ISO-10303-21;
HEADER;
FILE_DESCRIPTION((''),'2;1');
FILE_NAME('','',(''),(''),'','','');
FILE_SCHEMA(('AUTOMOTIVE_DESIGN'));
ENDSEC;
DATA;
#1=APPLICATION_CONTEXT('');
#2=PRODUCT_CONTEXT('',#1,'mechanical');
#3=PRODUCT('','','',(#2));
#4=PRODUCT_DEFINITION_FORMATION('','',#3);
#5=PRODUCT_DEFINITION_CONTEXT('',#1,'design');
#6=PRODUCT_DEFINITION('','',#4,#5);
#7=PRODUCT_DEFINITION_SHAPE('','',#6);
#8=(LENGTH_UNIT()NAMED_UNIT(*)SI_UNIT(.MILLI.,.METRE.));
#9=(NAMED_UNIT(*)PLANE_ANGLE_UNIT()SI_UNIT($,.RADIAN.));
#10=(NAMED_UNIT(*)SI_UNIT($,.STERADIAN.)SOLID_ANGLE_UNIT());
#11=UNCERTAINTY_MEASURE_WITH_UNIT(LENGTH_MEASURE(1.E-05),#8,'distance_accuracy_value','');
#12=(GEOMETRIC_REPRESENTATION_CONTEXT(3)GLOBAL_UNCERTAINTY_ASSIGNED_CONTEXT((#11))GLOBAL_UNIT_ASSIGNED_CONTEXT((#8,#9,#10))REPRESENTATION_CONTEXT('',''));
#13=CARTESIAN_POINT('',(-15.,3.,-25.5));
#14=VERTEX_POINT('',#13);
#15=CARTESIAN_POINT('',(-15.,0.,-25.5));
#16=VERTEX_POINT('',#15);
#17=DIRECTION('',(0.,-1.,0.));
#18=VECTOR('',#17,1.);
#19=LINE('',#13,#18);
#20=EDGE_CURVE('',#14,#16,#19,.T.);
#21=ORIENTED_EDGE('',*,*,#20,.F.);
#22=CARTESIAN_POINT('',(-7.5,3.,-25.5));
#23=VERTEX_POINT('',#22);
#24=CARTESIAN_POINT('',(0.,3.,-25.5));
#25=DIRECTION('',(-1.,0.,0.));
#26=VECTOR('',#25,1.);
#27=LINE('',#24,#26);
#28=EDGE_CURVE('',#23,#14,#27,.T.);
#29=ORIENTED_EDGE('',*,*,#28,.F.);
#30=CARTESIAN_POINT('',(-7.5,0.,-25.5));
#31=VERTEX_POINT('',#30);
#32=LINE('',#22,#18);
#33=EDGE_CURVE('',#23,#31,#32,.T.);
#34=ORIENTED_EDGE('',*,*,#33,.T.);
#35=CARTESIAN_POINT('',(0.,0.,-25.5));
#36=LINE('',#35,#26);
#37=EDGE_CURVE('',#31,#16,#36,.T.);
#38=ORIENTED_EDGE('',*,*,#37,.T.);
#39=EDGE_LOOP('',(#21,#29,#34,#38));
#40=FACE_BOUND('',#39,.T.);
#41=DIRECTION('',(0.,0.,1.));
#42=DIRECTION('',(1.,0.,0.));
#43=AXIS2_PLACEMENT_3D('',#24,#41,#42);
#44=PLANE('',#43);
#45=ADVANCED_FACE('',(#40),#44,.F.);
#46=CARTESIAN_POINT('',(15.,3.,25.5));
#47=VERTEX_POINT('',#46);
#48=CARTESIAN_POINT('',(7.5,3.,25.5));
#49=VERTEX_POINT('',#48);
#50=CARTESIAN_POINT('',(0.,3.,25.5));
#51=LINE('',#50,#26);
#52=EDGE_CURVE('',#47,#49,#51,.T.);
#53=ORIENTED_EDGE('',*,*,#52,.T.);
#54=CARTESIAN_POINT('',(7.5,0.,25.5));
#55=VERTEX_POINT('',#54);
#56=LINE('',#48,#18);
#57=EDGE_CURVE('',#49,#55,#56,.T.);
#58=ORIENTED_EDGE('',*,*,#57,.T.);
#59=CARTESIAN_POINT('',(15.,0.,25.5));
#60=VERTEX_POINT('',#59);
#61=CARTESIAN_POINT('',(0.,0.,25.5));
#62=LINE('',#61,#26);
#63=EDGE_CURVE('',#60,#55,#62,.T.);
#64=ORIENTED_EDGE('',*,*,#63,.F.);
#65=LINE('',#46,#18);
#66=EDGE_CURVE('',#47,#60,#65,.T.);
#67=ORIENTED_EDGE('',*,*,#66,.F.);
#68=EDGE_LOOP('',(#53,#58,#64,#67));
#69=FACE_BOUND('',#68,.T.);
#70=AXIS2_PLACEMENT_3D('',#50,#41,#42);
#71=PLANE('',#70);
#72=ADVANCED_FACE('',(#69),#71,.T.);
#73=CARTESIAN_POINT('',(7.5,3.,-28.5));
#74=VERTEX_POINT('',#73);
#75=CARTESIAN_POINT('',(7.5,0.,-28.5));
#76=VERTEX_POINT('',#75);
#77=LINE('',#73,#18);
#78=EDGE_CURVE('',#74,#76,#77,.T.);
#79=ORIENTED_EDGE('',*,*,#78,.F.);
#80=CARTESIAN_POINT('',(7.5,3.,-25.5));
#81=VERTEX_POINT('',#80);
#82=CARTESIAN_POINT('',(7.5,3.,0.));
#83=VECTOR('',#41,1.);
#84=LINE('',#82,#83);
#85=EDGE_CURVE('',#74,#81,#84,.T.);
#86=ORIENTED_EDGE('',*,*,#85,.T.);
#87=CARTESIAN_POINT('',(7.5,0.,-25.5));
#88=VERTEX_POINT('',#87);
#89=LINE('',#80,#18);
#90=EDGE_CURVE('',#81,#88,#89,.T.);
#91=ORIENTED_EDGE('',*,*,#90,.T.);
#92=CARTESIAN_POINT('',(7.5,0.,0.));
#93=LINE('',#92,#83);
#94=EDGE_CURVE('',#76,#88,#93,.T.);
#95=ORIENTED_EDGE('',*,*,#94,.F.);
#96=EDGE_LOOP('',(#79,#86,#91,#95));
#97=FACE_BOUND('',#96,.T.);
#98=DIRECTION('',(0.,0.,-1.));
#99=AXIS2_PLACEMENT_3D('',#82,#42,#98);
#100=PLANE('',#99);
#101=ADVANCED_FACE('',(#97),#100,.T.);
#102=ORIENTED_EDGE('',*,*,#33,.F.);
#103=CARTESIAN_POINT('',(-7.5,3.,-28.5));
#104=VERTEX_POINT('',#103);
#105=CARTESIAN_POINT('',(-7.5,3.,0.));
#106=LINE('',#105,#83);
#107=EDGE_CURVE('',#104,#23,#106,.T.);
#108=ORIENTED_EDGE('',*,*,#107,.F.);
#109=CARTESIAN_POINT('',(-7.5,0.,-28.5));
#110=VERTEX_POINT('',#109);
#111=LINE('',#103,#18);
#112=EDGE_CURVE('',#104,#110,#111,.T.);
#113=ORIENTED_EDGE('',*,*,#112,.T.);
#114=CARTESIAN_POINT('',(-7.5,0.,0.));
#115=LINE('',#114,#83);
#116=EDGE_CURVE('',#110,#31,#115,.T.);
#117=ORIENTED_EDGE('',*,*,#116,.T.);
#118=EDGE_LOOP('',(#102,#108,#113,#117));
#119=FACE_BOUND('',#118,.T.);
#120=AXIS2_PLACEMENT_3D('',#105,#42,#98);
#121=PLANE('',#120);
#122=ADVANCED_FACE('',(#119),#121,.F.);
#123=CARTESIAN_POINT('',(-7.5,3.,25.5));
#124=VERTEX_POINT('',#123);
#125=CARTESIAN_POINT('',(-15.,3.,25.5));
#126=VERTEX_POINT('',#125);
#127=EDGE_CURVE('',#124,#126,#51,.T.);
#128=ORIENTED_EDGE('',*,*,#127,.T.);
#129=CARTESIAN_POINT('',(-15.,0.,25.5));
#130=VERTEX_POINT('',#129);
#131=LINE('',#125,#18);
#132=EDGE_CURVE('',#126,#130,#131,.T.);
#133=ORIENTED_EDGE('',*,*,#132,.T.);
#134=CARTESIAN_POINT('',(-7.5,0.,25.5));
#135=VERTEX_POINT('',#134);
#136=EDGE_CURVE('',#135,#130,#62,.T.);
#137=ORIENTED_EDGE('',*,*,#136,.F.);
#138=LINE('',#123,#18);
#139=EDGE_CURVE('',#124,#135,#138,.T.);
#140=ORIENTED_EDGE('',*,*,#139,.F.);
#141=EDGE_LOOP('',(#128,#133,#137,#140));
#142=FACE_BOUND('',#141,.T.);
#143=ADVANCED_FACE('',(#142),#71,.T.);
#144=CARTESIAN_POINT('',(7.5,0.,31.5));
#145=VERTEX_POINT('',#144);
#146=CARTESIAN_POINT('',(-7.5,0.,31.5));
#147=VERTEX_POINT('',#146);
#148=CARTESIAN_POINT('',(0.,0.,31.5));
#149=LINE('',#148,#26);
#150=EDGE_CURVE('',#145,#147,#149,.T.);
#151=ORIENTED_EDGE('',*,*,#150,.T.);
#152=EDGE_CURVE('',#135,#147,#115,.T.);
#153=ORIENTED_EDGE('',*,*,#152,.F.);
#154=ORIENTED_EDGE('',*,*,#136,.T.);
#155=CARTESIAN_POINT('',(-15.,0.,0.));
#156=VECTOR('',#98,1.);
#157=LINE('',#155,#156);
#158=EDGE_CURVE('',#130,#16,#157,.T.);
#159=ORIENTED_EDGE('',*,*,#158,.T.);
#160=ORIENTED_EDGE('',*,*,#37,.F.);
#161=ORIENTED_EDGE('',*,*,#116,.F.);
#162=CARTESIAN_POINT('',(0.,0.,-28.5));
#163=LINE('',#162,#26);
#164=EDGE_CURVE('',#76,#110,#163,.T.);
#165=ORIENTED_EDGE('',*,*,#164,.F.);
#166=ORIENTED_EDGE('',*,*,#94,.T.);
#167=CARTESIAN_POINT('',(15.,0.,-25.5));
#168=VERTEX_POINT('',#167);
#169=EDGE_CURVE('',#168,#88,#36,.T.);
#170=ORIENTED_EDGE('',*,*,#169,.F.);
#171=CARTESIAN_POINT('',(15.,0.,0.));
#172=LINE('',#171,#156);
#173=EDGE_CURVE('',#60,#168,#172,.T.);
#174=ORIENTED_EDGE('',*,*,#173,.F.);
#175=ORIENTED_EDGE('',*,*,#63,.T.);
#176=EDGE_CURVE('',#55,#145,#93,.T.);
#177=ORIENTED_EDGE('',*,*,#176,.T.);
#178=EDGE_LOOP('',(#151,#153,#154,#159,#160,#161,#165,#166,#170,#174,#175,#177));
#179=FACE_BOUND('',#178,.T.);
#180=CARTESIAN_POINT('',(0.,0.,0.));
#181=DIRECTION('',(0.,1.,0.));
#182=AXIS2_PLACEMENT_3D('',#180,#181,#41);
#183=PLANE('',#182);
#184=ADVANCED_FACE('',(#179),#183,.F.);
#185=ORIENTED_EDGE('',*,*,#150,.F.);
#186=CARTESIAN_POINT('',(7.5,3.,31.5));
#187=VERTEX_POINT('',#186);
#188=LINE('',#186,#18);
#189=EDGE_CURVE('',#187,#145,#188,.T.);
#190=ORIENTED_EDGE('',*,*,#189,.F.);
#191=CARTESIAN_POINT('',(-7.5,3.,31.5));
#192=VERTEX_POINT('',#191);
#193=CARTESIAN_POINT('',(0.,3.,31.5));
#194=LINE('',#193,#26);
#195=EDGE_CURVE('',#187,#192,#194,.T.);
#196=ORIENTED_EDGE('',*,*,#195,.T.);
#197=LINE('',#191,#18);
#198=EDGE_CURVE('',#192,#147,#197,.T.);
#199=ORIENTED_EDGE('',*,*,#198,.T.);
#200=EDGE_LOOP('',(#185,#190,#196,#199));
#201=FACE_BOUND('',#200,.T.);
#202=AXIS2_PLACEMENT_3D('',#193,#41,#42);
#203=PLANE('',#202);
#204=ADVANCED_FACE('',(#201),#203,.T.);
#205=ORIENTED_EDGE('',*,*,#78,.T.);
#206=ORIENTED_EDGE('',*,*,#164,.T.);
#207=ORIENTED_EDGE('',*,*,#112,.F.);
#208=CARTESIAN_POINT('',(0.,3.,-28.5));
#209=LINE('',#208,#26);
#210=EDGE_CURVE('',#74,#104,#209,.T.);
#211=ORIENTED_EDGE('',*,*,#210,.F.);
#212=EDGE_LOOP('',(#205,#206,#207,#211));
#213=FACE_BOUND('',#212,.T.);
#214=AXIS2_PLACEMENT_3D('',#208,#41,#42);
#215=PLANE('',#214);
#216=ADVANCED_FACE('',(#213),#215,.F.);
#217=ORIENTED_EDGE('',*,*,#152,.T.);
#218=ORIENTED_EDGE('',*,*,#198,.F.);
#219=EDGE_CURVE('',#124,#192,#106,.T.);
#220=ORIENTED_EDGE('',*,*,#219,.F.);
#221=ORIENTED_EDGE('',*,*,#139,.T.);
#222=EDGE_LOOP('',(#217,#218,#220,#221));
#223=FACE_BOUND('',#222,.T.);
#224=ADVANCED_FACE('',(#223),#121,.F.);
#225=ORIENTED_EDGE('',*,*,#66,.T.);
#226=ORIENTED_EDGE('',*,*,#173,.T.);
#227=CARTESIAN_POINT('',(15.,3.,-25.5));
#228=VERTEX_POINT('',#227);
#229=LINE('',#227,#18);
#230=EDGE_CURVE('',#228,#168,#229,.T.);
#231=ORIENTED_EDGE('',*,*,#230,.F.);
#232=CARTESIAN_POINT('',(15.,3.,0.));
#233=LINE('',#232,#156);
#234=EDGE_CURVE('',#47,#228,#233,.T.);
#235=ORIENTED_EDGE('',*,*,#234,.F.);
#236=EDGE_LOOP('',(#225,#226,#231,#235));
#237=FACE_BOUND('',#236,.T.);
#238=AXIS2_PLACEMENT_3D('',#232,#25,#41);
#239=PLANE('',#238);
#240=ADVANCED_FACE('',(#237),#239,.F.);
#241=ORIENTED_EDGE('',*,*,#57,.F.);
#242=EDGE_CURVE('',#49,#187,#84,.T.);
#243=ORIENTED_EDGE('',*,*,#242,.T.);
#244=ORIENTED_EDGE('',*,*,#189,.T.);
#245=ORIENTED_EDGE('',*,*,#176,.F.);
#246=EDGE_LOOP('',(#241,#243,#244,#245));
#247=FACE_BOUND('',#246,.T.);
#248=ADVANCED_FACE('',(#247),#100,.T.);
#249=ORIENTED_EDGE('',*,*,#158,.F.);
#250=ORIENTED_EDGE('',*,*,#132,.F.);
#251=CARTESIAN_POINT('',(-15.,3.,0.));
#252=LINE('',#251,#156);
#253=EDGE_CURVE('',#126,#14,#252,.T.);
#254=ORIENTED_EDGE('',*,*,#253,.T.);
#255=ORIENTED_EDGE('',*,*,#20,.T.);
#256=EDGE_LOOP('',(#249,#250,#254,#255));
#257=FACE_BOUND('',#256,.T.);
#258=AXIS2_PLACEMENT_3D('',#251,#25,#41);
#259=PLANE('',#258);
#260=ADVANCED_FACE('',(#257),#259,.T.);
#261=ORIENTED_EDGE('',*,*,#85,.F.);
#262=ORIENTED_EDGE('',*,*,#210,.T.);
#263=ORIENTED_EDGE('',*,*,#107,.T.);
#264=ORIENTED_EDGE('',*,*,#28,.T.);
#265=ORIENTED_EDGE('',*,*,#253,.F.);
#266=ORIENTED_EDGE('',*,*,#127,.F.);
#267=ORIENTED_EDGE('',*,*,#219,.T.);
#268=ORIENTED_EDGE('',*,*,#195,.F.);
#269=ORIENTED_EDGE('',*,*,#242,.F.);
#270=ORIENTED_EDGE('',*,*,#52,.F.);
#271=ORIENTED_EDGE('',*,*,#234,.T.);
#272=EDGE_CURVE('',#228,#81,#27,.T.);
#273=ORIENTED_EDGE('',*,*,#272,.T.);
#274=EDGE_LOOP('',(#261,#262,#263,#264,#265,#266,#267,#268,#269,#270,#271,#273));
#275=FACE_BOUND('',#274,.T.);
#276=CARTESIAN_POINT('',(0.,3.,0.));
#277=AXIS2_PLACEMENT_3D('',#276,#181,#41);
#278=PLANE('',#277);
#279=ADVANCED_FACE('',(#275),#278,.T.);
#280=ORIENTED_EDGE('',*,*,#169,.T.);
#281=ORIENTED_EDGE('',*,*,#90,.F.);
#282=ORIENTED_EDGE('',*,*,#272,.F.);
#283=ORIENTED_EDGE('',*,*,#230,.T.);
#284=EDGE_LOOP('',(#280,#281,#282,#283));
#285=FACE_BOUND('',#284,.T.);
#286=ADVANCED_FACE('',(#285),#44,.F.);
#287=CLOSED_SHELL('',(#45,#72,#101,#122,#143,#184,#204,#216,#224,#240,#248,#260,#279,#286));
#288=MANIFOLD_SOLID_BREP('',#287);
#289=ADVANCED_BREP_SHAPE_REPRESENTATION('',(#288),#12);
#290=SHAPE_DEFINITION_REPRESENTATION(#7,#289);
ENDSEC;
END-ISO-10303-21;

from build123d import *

# Parameters (mm, degrees)
SKETCH1_W           = 7.5
SKETCH1_H           = 6
BOSS_EXTRUDE1_DEPTH = 3


with BuildPart() as part:
    # Sketch1 → Boss-Extrude1 (new body)
    with BuildSketch(Plane(origin=(0, 0, 0), x_dir=(1, 0, 0), z_dir=(0, 1, 0))):
        Polygon((0, 0), (0, 25.5), (-7.5, 25.5), (-15, 25.5), (-15, -12.75), (0, -12.75), align=None)
        Polygon((0, -25.5), (0, -12.75), (-15, -12.75), (-15, -25.5), (-7.5, -25.5), align=None)
        Polygon((15, -12.75), (0, -12.75), (0, -25.5), (7.5, -25.5), (15, -25.5), align=None)
        Polygon((7.5, 25.5), (0, 25.5), (0, 0), (0, -12.75), (15, -12.75), (15, 25.5), align=None)
        Polygon((-7.5, 25.5), (0, 25.5), (7.5, 25.5), (7.5, 28.5), (-7.5, 28.5), align=None)
        Polygon((-7.5, 25.5), (0, 25.5), (7.5, 25.5), (7.5, 28.5), (-7.5, 28.5), align=None)
        with Locations((-3.75, -28.5)):
            Rectangle(SKETCH1_W, SKETCH1_H)
        with Locations((3.75, -28.5)):
            Rectangle(SKETCH1_W, SKETCH1_H)
    extrude(amount=BOSS_EXTRUDE1_DEPTH)


solid = part.part
